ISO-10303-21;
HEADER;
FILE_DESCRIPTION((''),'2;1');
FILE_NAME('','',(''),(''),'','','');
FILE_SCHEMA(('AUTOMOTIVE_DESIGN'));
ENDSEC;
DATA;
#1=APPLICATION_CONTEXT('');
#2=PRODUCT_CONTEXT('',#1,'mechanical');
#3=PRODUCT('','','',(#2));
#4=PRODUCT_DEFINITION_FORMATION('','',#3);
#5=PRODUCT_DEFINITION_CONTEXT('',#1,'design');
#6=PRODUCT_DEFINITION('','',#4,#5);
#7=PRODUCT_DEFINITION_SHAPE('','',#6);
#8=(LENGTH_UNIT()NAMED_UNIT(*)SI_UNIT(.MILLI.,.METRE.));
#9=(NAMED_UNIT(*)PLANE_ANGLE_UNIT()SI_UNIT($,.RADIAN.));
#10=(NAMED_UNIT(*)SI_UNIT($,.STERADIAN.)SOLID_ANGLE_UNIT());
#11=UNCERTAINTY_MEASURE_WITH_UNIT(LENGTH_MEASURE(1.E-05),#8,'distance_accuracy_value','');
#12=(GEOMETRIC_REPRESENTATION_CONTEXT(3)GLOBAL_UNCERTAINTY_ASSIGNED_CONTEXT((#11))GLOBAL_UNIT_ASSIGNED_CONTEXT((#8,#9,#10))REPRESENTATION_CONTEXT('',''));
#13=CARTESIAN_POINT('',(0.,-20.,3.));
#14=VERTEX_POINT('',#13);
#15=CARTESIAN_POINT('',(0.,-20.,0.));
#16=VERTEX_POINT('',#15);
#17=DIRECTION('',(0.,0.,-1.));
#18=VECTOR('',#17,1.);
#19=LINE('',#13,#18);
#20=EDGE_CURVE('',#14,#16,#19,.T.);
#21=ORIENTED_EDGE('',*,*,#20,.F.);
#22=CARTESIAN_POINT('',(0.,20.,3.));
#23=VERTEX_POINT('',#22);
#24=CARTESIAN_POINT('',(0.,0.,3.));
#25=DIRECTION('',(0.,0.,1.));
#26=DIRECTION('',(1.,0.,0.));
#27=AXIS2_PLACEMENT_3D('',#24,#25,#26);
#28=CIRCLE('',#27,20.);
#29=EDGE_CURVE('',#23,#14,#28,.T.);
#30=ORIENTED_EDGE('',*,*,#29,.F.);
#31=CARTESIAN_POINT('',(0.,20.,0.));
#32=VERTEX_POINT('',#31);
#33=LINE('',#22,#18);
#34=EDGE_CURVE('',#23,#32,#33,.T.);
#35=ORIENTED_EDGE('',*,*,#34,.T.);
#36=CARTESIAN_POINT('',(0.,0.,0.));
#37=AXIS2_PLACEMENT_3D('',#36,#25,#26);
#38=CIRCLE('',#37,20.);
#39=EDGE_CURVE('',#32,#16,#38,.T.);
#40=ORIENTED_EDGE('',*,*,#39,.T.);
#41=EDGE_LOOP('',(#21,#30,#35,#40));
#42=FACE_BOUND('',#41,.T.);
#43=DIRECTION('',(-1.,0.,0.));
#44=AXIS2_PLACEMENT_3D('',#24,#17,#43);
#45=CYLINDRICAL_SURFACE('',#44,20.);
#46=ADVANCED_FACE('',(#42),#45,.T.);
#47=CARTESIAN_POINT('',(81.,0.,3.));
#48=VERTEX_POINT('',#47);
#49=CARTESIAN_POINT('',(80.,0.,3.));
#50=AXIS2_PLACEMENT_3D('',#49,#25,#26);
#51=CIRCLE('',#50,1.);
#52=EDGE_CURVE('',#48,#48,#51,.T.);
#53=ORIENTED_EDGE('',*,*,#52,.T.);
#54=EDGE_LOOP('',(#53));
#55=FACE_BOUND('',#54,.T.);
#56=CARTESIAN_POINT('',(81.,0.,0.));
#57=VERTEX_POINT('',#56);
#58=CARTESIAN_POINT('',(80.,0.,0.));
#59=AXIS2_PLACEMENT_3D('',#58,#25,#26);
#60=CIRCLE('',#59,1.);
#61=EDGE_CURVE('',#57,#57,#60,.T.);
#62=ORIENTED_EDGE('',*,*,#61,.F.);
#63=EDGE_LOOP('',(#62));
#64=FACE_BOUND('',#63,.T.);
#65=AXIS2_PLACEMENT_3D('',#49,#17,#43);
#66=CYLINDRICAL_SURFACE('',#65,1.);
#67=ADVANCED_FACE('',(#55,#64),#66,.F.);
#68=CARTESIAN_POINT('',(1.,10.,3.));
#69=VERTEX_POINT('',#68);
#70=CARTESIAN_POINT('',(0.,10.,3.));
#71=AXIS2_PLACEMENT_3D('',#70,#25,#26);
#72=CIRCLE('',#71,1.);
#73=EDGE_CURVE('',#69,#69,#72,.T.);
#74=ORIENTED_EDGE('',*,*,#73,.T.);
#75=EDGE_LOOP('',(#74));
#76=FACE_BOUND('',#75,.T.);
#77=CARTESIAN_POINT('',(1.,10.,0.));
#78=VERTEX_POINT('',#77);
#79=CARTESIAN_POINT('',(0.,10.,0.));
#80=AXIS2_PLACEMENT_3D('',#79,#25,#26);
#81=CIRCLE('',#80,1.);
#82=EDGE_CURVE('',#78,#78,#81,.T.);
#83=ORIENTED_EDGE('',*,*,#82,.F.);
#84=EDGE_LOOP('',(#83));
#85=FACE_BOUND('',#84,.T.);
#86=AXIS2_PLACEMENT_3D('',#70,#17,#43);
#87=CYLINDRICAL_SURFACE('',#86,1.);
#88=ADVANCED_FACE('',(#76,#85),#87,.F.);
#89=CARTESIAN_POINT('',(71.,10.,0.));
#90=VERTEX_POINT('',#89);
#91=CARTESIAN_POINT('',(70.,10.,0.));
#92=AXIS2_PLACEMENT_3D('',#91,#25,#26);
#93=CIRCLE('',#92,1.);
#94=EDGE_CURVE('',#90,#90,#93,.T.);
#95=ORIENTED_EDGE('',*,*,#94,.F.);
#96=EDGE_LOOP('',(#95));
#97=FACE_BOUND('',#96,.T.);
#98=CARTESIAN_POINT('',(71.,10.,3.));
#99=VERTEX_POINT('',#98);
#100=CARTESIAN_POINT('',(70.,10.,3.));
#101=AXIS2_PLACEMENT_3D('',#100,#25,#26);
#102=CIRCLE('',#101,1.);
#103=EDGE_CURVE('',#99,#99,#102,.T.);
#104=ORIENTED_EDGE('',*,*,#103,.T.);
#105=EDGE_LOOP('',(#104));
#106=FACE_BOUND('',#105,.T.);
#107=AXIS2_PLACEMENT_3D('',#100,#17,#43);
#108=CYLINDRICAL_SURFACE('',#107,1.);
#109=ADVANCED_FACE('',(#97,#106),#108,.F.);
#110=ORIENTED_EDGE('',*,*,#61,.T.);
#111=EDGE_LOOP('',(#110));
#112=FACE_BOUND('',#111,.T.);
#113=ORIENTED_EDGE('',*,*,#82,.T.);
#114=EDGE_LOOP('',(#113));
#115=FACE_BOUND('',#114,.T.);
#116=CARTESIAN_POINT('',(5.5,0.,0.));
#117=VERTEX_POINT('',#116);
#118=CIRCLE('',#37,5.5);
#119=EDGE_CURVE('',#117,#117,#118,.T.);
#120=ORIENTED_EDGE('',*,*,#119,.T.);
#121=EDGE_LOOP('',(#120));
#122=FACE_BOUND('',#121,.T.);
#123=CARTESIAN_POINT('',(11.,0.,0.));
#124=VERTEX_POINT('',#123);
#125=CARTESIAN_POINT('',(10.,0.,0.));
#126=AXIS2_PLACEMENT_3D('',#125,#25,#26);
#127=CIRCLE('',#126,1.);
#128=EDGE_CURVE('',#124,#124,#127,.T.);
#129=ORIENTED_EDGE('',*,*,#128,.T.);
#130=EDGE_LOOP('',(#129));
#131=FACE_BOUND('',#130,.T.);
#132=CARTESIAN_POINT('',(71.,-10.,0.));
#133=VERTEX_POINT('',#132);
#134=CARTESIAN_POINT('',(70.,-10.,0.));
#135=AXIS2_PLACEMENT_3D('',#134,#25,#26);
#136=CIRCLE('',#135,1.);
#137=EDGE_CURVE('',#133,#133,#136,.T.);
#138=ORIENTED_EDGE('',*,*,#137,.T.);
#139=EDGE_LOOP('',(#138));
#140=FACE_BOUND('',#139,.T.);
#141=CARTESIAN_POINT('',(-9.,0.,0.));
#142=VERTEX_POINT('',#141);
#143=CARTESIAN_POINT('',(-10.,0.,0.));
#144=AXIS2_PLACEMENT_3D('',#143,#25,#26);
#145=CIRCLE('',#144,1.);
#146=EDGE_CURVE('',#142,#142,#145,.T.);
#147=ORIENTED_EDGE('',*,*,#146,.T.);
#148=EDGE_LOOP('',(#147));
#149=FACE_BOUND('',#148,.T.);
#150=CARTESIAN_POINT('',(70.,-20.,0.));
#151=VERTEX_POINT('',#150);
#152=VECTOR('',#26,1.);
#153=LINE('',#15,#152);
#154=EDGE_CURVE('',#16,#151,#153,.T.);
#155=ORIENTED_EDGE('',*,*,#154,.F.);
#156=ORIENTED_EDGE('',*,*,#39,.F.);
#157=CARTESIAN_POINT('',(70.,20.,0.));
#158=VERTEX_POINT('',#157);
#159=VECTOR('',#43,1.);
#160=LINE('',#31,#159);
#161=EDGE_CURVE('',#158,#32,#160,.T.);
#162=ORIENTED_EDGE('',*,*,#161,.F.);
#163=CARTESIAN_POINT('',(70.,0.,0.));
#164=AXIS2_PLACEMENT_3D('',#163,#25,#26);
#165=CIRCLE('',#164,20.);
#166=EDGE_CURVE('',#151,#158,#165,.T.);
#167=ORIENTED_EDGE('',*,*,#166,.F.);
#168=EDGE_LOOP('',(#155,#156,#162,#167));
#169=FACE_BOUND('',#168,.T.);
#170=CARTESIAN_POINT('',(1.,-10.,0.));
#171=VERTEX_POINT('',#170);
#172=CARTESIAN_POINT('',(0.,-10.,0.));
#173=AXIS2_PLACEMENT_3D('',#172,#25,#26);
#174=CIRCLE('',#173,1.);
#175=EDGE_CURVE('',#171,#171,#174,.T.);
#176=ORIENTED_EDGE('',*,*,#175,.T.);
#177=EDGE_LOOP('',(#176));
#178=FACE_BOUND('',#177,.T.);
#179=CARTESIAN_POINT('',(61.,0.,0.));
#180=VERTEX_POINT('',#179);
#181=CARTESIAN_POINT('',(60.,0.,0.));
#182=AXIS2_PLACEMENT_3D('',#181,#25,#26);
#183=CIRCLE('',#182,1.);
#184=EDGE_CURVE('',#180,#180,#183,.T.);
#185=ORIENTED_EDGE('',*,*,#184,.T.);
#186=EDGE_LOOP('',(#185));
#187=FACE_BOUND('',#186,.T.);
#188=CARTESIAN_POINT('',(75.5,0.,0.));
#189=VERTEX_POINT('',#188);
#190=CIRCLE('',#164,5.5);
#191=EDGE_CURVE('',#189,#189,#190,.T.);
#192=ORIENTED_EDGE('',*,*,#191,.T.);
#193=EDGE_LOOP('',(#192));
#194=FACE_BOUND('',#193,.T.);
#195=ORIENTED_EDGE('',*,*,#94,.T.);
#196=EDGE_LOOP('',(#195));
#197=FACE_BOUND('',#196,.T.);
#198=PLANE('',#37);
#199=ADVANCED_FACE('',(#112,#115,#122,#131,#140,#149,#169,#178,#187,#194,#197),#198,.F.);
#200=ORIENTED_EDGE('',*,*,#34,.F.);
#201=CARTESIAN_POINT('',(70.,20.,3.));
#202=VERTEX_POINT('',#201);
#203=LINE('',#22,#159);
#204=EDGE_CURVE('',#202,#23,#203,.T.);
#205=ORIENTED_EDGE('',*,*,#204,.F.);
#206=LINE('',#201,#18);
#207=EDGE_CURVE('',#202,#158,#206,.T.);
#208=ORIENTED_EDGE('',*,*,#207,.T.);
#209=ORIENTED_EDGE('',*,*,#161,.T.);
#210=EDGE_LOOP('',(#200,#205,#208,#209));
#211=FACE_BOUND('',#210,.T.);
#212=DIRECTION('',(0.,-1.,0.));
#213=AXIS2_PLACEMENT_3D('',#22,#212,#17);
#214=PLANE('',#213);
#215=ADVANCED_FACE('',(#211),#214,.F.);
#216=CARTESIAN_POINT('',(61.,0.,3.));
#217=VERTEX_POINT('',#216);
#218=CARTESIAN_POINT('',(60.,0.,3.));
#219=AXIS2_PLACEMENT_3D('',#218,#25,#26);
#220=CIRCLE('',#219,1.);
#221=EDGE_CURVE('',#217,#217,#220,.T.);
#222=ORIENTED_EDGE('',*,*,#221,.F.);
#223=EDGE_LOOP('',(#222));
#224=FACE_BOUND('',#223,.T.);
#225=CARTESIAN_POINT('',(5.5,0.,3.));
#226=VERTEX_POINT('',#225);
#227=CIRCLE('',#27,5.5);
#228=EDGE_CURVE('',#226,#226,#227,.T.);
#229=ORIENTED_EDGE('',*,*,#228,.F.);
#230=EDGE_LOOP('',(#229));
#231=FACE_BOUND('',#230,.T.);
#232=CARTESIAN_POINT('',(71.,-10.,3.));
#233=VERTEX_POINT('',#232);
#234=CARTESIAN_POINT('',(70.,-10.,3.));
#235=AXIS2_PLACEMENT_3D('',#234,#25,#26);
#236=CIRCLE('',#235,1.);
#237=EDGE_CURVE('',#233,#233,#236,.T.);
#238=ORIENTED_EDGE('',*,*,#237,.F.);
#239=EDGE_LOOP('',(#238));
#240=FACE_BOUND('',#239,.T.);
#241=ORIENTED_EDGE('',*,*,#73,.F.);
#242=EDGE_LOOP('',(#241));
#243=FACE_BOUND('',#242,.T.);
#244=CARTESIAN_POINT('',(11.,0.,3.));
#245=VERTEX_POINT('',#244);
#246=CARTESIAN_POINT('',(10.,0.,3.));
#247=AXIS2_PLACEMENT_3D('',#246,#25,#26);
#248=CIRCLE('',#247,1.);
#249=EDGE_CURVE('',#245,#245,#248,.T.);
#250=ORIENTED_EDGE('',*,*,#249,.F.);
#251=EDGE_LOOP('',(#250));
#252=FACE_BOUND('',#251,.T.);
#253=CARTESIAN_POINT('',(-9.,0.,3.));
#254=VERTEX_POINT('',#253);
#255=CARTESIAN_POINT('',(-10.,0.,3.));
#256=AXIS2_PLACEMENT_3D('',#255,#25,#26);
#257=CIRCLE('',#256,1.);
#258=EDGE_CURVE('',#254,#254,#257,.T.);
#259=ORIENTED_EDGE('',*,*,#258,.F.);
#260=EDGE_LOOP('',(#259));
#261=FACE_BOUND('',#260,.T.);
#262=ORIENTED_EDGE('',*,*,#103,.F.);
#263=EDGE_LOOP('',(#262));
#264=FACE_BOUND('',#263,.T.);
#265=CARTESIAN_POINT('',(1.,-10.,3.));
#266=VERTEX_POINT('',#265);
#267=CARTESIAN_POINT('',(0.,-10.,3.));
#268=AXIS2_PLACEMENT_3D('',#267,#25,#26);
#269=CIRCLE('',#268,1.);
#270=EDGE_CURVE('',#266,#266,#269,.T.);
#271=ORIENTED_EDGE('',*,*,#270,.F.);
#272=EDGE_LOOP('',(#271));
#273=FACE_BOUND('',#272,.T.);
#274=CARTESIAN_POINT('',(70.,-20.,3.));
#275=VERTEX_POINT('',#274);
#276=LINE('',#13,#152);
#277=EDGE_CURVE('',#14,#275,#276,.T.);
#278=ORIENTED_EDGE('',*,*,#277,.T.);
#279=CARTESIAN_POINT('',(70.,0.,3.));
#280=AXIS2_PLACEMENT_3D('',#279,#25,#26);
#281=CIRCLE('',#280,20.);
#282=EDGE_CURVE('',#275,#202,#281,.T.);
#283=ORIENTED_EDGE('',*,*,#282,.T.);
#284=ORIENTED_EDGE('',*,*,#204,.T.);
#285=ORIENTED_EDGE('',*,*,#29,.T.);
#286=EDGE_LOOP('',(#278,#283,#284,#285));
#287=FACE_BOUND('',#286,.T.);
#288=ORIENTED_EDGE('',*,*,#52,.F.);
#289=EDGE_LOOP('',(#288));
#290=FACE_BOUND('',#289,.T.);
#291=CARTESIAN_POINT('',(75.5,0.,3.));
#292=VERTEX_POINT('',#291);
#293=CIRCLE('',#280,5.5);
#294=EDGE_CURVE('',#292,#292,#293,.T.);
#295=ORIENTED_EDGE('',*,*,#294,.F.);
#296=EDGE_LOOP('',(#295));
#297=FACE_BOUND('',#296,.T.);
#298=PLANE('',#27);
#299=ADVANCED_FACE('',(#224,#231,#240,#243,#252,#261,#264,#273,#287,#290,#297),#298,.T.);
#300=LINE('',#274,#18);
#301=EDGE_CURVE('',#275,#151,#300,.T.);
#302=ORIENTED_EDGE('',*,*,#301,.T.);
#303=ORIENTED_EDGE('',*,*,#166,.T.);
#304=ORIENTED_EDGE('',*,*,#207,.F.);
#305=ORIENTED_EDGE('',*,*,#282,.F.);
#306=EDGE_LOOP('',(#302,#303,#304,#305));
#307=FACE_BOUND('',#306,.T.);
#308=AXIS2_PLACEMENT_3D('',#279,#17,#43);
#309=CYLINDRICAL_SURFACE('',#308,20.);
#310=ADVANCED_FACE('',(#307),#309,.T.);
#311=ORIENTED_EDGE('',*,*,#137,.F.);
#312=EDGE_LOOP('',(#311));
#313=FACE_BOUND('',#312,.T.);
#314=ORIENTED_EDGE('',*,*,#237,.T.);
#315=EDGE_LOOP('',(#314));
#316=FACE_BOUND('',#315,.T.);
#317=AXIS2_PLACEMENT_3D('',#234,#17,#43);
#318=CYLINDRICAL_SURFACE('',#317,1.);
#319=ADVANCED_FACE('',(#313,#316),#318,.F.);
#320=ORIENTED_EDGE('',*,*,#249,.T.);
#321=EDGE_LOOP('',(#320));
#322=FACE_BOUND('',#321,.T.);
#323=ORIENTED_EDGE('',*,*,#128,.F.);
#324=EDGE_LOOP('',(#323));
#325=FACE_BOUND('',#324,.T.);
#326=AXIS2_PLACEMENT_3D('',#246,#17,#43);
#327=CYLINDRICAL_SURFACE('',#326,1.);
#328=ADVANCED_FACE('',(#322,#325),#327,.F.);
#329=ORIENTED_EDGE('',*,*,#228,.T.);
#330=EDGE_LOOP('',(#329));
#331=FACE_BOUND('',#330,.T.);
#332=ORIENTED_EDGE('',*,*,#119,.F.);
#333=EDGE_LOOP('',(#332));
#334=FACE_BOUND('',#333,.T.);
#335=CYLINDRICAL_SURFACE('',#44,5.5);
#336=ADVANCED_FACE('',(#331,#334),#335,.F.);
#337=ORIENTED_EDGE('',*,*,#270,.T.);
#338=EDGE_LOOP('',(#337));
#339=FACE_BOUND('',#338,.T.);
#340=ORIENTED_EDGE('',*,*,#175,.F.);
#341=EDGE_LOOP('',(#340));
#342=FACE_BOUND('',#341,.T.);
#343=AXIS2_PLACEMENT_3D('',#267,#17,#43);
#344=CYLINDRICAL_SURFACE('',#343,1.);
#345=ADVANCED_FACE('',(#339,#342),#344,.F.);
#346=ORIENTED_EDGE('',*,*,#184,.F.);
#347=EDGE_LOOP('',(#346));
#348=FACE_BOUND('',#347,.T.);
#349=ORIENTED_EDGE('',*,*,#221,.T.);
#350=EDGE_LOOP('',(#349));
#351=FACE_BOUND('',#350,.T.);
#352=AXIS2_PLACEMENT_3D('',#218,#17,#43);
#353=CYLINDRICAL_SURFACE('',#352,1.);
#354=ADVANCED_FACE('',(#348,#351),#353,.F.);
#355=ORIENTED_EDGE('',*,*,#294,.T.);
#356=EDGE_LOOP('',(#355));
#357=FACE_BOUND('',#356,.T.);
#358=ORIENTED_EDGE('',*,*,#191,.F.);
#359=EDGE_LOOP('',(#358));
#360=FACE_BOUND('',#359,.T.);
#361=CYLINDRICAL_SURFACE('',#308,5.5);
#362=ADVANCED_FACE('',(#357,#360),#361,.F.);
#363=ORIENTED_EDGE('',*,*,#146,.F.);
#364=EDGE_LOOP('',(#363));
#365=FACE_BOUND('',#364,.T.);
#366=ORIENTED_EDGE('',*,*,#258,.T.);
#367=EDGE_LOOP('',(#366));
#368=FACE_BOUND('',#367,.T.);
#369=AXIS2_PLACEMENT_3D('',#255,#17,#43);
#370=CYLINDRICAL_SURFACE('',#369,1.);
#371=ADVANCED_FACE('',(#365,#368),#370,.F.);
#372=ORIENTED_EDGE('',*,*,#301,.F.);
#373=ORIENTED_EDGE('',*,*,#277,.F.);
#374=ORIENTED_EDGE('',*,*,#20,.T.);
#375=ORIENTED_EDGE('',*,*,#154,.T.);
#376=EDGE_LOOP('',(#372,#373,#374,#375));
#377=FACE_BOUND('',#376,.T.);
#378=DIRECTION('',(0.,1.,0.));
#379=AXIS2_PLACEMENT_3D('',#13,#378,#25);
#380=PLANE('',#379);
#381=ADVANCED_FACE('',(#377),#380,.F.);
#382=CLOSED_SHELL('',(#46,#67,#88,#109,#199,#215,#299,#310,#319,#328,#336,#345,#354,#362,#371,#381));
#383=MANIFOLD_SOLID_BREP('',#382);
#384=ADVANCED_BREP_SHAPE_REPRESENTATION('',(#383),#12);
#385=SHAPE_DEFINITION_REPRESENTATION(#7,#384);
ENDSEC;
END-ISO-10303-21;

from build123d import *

# Parameters (mm, degrees)
SKETCH1_R           = 1
SKETCH1_R_2         = 5.5
BOSS_EXTRUDE1_DEPTH = 3


with BuildPart() as part:
    # Sketch1 → Boss-Extrude1 (new body)
    with BuildSketch(Plane.XY):
        with BuildLine():
            Line((0, 20), (70, 20))
            ThreePointArc((70, 20), (90, 0), (70, -20))
            Line((70, -20), (0, -20))
            ThreePointArc((0, -20), (-20, 0), (0, 20))
        make_face()
        with Locations((10, 0)):
            Circle(SKETCH1_R, mode=Mode.SUBTRACT)
        with Locations((0, -10)):
            Circle(SKETCH1_R, mode=Mode.SUBTRACT)
        with Locations((-10, 0)):
            Circle(SKETCH1_R, mode=Mode.SUBTRACT)
        with Locations((0, 10)):
            Circle(SKETCH1_R, mode=Mode.SUBTRACT)
        with Locations((80, 0)):
            Circle(SKETCH1_R, mode=Mode.SUBTRACT)
        with Locations((60, 0)):
            Circle(SKETCH1_R, mode=Mode.SUBTRACT)
        with Locations((70, 10)):
            Circle(SKETCH1_R, mode=Mode.SUBTRACT)
        with Locations((70, -10)):
            Circle(SKETCH1_R, mode=Mode.SUBTRACT)
        Circle(SKETCH1_R_2, mode=Mode.SUBTRACT)
        with Locations((70, 0)):
            Circle(SKETCH1_R_2, mode=Mode.SUBTRACT)
    extrude(amount=BOSS_EXTRUDE1_DEPTH)


solid = part.part
